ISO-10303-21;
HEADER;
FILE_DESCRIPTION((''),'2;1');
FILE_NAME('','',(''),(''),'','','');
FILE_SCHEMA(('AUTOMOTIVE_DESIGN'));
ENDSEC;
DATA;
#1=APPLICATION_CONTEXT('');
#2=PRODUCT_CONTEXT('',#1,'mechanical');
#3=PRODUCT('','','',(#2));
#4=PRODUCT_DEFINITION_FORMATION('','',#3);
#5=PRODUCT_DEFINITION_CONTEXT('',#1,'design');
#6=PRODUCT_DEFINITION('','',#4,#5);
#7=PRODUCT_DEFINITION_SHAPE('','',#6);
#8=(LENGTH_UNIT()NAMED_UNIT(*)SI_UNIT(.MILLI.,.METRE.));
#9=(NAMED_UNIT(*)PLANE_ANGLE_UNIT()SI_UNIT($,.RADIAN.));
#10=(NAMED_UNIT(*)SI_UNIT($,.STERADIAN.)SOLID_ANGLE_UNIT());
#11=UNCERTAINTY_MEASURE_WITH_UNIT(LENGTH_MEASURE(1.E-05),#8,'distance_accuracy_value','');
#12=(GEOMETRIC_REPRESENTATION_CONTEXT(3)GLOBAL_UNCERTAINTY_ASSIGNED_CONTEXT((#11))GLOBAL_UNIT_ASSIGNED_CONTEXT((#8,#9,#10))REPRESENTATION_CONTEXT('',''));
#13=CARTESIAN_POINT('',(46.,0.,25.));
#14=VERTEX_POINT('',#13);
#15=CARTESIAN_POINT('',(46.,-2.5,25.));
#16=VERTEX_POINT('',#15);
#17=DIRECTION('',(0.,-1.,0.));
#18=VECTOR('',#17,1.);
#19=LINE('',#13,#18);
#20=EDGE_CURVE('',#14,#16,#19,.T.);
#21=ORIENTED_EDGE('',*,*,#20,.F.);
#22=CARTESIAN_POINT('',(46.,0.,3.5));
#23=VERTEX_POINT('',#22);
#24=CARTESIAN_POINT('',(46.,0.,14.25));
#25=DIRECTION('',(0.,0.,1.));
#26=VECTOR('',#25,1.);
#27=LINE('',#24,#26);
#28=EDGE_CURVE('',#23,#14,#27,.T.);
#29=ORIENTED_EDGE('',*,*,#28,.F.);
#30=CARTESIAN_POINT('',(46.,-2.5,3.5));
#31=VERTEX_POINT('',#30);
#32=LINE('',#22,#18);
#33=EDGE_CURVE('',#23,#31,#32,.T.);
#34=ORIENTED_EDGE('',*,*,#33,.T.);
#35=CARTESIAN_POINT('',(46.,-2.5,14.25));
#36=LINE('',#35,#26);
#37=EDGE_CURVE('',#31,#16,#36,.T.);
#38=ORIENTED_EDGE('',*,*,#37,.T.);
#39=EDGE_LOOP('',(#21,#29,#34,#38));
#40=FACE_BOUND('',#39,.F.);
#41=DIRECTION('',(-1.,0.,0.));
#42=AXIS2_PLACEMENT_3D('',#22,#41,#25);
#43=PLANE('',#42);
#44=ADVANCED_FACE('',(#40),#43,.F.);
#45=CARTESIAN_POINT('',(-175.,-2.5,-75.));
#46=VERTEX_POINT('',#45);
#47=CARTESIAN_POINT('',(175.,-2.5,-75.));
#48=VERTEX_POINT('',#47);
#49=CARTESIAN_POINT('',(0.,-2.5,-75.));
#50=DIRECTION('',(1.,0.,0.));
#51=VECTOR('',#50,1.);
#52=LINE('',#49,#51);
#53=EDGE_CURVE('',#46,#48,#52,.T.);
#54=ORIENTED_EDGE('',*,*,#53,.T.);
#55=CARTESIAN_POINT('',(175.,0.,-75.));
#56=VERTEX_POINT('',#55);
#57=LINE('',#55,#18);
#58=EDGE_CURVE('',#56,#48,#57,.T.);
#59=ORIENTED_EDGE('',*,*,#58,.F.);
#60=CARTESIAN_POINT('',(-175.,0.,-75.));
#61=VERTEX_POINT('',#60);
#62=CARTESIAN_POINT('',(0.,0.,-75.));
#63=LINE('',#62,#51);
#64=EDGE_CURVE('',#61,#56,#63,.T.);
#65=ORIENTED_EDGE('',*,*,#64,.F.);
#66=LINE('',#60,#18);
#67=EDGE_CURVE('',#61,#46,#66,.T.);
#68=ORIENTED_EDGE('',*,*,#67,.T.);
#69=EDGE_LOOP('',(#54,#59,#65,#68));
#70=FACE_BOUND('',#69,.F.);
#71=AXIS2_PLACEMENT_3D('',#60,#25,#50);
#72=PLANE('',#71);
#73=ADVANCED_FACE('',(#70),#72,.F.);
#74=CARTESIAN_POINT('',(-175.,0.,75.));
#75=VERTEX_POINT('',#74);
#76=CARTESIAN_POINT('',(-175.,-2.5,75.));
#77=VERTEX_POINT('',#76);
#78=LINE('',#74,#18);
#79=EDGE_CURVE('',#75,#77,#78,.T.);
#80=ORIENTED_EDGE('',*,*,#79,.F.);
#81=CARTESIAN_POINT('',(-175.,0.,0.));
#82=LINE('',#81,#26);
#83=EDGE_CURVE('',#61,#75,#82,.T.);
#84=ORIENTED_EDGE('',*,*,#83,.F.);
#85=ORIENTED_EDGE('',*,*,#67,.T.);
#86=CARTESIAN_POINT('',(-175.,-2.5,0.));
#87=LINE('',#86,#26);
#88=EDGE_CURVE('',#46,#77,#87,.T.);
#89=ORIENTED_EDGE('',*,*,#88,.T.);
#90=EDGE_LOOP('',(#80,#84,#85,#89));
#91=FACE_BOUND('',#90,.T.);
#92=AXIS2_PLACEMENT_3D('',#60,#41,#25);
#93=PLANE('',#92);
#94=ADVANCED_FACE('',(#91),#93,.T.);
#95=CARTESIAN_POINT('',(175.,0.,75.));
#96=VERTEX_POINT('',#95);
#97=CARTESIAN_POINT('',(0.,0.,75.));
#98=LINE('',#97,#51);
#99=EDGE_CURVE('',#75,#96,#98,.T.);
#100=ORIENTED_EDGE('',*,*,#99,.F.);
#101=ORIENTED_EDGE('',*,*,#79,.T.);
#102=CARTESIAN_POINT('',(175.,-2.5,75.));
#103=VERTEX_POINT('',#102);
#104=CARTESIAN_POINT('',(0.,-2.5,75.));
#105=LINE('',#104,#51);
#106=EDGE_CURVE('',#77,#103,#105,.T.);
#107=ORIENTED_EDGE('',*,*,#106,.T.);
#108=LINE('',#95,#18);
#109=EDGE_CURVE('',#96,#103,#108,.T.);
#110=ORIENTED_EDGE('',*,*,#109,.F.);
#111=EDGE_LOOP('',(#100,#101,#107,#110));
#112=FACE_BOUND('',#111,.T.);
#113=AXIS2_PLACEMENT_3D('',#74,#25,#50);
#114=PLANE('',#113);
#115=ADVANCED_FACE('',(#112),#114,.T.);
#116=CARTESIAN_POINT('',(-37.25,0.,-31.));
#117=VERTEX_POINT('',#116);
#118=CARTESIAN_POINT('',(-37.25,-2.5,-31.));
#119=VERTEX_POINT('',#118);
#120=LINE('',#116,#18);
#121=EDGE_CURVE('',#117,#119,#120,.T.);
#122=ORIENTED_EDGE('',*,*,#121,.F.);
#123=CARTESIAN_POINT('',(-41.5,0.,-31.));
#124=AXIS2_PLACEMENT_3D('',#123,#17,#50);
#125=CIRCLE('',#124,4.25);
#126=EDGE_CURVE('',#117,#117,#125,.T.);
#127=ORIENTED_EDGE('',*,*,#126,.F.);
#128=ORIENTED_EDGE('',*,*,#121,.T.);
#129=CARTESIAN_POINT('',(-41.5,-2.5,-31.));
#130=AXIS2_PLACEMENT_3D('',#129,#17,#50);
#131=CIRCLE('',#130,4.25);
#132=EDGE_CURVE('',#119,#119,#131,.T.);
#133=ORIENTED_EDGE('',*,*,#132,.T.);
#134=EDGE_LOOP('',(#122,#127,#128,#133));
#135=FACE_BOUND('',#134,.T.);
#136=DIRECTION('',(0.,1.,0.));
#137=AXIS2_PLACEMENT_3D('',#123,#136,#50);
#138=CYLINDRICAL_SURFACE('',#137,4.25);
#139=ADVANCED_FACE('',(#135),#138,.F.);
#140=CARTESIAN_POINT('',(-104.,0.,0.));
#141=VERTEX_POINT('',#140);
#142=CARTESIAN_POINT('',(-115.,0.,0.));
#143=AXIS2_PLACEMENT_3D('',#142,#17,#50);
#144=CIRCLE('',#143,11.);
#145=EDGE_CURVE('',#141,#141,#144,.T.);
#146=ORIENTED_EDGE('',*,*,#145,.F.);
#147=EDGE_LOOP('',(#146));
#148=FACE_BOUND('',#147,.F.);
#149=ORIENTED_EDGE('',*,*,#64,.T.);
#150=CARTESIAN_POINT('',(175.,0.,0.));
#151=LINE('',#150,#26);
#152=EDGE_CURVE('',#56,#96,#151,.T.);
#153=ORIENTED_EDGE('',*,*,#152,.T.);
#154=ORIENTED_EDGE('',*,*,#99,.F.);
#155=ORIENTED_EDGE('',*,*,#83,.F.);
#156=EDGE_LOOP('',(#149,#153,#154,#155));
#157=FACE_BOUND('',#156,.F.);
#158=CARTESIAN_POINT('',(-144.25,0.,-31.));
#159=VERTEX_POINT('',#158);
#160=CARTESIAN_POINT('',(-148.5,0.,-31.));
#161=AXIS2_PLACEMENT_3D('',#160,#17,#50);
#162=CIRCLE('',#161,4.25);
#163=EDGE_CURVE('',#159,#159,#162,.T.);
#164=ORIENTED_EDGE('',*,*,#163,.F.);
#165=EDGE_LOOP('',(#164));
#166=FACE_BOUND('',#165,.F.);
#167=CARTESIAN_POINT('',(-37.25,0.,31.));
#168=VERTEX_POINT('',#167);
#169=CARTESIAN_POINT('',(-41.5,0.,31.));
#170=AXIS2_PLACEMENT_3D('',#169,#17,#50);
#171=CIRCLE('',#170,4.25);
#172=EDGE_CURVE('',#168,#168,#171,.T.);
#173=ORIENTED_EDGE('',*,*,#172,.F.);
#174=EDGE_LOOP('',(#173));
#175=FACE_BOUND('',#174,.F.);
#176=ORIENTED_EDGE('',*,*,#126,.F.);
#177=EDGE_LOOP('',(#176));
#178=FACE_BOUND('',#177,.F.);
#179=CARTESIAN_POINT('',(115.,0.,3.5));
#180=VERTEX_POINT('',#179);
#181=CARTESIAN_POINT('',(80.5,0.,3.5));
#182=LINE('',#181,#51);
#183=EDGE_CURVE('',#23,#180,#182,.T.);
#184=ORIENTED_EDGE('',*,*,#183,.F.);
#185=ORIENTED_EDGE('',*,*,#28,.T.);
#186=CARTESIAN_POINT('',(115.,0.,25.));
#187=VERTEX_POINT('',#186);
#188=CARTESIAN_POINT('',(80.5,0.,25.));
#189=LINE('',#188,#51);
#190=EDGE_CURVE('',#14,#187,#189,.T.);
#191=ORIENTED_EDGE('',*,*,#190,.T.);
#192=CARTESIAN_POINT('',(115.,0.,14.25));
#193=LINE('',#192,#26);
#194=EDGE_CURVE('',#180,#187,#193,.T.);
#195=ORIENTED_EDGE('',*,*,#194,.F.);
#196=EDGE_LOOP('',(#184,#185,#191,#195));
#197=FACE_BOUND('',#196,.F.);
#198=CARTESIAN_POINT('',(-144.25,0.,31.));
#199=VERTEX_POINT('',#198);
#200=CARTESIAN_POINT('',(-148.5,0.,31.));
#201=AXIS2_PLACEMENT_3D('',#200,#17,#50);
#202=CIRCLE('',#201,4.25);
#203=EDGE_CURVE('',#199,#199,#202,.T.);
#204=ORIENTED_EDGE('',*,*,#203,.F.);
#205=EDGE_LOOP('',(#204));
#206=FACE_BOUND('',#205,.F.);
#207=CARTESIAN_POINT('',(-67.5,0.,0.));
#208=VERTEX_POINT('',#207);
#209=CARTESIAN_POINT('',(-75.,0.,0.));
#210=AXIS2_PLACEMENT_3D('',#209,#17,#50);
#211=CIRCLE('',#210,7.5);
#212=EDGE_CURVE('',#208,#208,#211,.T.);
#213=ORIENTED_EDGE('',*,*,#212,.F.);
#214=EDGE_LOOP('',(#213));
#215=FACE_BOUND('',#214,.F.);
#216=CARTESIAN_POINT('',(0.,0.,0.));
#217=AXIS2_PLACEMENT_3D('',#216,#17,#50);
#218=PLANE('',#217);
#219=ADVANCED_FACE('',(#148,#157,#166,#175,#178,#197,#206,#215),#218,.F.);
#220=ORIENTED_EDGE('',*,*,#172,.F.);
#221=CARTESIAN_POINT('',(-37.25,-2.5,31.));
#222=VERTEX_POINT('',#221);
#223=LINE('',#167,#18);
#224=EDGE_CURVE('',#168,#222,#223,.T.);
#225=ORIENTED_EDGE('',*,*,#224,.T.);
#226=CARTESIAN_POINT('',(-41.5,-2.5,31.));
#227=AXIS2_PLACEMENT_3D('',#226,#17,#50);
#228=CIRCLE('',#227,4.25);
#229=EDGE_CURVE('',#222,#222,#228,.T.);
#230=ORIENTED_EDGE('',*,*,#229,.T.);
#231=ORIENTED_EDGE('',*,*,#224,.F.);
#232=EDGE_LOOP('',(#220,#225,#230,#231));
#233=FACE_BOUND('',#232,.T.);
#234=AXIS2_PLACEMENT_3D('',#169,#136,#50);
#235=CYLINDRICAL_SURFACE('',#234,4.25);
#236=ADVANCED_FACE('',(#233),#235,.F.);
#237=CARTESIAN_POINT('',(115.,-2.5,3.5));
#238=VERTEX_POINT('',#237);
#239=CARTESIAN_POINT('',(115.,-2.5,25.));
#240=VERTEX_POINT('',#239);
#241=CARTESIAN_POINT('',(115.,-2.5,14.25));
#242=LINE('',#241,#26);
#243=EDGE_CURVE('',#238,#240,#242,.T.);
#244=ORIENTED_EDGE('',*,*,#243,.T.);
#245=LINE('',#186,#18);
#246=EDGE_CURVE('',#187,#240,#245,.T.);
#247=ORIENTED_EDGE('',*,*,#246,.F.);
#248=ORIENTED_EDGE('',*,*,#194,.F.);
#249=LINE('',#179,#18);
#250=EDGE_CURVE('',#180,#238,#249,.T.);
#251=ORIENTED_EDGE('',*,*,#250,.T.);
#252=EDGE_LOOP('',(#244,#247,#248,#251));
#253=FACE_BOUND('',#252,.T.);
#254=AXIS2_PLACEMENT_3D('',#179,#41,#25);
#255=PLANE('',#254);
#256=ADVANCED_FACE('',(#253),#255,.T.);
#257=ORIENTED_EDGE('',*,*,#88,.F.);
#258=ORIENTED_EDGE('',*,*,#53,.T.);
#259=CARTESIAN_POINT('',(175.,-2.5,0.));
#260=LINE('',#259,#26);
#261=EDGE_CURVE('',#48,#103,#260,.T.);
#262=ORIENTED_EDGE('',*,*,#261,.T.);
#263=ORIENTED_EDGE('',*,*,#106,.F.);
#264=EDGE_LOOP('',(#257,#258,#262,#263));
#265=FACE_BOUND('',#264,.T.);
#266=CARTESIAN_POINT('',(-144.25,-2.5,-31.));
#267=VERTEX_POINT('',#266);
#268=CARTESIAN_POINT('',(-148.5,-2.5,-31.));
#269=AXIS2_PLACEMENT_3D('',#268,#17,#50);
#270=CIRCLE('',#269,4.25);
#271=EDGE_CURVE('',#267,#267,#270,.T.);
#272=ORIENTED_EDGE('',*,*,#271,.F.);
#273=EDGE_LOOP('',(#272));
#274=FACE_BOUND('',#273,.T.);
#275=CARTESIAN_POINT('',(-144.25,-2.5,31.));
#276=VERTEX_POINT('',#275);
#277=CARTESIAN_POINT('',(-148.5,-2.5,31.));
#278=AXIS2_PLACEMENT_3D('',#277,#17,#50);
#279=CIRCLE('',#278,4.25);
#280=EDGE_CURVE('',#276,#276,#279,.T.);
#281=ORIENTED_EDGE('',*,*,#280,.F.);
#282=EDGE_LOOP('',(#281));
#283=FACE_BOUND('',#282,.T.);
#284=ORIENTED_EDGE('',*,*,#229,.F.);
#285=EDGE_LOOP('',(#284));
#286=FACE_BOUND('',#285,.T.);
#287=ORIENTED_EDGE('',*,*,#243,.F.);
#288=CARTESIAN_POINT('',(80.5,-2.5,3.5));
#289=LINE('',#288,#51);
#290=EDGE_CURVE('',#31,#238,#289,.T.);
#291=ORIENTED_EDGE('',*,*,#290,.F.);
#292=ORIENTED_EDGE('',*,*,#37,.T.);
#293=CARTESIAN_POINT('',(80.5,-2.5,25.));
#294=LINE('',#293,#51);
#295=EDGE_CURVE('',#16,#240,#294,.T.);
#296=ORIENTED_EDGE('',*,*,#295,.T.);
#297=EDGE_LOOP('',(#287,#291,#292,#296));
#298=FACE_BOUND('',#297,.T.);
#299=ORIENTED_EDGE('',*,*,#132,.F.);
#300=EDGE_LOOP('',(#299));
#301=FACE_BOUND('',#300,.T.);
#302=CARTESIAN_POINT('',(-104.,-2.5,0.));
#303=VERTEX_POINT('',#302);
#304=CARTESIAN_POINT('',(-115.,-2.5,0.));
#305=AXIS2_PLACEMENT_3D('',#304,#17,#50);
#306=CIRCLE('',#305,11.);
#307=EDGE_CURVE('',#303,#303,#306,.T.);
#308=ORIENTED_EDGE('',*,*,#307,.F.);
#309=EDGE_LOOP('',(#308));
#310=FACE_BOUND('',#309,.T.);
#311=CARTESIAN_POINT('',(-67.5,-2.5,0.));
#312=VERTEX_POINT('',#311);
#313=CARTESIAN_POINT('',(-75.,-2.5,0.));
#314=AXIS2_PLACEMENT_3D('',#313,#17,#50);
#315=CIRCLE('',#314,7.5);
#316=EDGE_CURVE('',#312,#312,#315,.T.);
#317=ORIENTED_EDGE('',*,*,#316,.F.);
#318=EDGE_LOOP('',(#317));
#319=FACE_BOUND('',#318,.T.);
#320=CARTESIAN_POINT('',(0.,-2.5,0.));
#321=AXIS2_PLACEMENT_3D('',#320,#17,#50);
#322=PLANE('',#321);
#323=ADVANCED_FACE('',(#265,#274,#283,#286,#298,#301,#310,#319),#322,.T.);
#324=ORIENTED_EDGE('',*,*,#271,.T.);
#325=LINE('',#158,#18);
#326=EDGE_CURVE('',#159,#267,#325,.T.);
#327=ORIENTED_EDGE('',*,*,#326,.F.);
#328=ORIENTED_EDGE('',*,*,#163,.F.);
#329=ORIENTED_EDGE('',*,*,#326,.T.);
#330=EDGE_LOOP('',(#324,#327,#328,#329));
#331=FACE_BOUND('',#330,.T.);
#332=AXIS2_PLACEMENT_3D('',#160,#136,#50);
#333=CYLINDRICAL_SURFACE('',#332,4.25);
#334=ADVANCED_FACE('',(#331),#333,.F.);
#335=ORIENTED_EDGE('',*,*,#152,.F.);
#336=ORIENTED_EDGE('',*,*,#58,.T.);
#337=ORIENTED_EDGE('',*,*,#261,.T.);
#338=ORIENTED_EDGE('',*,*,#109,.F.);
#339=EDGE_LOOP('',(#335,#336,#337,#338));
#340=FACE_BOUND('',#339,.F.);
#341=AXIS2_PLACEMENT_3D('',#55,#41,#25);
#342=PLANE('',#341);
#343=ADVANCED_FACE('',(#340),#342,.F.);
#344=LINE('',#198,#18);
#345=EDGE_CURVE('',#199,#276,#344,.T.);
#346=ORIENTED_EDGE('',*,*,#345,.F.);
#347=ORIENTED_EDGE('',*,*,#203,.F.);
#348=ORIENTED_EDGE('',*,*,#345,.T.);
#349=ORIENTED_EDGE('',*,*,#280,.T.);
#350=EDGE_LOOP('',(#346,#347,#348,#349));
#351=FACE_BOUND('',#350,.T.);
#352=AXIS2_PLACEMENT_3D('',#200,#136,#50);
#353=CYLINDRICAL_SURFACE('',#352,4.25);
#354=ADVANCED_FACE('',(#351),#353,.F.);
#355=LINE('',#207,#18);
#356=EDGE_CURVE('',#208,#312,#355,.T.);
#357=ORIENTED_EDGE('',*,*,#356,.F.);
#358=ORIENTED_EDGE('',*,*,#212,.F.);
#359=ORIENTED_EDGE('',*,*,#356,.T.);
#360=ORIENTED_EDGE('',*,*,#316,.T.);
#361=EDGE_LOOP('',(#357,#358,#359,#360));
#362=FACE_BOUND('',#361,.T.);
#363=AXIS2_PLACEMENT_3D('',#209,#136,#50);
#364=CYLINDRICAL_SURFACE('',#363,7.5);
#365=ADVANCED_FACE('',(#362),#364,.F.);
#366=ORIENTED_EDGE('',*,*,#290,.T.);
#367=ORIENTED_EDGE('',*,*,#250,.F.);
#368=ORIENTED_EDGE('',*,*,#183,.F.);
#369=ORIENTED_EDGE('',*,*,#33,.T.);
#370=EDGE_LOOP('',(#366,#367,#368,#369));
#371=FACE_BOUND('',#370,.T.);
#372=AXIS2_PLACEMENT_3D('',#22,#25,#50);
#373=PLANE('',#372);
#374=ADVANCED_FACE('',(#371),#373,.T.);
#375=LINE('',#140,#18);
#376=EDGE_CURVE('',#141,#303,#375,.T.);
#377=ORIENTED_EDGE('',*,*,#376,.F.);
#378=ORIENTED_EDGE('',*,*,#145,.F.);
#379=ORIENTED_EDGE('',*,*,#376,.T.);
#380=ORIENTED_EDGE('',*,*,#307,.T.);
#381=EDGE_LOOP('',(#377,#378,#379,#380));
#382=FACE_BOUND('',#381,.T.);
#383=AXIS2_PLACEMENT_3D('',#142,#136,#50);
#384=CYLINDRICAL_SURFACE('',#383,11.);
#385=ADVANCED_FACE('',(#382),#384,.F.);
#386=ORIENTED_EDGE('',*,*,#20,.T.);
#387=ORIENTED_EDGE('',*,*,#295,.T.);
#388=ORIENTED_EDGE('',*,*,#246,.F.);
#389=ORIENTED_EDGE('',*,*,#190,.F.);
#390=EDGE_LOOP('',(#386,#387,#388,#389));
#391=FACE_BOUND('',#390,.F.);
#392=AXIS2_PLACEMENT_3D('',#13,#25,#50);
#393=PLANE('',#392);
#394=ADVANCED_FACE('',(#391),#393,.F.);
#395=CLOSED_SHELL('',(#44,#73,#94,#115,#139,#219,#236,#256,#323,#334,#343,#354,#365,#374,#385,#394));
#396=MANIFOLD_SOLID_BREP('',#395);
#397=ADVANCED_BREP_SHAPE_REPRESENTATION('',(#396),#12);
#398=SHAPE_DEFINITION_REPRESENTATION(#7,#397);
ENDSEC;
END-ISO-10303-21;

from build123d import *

# Parameters (mm, degrees)
F0_W     = 350
F0_H     = 150
F0_R     = 4.25
F0_R_2   = 11
F0_R_3   = 7.5
F0_W_2   = 69
F0_H_2   = 21.5
F1_DEPTH = 2.5


with BuildPart() as f1:
    # F0 (on Front) → F1 (new body)
    with BuildSketch(Plane.XZ):
        Rectangle(F0_W, F0_H)
        with Locations((-148.5, -31)):
            Circle(F0_R, mode=Mode.SUBTRACT)
        with Locations((-41.5, -31)):
            Circle(F0_R, mode=Mode.SUBTRACT)
        with Locations((-115, 0)):
            Circle(F0_R_2, mode=Mode.SUBTRACT)
        with Locations((-148.5, 31)):
            Circle(F0_R, mode=Mode.SUBTRACT)
        with Locations((-75, 0)):
            Circle(F0_R_3, mode=Mode.SUBTRACT)
        with Locations((-41.5, 31)):
            Circle(F0_R, mode=Mode.SUBTRACT)
        with Locations((80.5, 14.25)):
            Rectangle(F0_W_2, F0_H_2, mode=Mode.SUBTRACT)
    extrude(amount=F1_DEPTH)


solid = f1.part
